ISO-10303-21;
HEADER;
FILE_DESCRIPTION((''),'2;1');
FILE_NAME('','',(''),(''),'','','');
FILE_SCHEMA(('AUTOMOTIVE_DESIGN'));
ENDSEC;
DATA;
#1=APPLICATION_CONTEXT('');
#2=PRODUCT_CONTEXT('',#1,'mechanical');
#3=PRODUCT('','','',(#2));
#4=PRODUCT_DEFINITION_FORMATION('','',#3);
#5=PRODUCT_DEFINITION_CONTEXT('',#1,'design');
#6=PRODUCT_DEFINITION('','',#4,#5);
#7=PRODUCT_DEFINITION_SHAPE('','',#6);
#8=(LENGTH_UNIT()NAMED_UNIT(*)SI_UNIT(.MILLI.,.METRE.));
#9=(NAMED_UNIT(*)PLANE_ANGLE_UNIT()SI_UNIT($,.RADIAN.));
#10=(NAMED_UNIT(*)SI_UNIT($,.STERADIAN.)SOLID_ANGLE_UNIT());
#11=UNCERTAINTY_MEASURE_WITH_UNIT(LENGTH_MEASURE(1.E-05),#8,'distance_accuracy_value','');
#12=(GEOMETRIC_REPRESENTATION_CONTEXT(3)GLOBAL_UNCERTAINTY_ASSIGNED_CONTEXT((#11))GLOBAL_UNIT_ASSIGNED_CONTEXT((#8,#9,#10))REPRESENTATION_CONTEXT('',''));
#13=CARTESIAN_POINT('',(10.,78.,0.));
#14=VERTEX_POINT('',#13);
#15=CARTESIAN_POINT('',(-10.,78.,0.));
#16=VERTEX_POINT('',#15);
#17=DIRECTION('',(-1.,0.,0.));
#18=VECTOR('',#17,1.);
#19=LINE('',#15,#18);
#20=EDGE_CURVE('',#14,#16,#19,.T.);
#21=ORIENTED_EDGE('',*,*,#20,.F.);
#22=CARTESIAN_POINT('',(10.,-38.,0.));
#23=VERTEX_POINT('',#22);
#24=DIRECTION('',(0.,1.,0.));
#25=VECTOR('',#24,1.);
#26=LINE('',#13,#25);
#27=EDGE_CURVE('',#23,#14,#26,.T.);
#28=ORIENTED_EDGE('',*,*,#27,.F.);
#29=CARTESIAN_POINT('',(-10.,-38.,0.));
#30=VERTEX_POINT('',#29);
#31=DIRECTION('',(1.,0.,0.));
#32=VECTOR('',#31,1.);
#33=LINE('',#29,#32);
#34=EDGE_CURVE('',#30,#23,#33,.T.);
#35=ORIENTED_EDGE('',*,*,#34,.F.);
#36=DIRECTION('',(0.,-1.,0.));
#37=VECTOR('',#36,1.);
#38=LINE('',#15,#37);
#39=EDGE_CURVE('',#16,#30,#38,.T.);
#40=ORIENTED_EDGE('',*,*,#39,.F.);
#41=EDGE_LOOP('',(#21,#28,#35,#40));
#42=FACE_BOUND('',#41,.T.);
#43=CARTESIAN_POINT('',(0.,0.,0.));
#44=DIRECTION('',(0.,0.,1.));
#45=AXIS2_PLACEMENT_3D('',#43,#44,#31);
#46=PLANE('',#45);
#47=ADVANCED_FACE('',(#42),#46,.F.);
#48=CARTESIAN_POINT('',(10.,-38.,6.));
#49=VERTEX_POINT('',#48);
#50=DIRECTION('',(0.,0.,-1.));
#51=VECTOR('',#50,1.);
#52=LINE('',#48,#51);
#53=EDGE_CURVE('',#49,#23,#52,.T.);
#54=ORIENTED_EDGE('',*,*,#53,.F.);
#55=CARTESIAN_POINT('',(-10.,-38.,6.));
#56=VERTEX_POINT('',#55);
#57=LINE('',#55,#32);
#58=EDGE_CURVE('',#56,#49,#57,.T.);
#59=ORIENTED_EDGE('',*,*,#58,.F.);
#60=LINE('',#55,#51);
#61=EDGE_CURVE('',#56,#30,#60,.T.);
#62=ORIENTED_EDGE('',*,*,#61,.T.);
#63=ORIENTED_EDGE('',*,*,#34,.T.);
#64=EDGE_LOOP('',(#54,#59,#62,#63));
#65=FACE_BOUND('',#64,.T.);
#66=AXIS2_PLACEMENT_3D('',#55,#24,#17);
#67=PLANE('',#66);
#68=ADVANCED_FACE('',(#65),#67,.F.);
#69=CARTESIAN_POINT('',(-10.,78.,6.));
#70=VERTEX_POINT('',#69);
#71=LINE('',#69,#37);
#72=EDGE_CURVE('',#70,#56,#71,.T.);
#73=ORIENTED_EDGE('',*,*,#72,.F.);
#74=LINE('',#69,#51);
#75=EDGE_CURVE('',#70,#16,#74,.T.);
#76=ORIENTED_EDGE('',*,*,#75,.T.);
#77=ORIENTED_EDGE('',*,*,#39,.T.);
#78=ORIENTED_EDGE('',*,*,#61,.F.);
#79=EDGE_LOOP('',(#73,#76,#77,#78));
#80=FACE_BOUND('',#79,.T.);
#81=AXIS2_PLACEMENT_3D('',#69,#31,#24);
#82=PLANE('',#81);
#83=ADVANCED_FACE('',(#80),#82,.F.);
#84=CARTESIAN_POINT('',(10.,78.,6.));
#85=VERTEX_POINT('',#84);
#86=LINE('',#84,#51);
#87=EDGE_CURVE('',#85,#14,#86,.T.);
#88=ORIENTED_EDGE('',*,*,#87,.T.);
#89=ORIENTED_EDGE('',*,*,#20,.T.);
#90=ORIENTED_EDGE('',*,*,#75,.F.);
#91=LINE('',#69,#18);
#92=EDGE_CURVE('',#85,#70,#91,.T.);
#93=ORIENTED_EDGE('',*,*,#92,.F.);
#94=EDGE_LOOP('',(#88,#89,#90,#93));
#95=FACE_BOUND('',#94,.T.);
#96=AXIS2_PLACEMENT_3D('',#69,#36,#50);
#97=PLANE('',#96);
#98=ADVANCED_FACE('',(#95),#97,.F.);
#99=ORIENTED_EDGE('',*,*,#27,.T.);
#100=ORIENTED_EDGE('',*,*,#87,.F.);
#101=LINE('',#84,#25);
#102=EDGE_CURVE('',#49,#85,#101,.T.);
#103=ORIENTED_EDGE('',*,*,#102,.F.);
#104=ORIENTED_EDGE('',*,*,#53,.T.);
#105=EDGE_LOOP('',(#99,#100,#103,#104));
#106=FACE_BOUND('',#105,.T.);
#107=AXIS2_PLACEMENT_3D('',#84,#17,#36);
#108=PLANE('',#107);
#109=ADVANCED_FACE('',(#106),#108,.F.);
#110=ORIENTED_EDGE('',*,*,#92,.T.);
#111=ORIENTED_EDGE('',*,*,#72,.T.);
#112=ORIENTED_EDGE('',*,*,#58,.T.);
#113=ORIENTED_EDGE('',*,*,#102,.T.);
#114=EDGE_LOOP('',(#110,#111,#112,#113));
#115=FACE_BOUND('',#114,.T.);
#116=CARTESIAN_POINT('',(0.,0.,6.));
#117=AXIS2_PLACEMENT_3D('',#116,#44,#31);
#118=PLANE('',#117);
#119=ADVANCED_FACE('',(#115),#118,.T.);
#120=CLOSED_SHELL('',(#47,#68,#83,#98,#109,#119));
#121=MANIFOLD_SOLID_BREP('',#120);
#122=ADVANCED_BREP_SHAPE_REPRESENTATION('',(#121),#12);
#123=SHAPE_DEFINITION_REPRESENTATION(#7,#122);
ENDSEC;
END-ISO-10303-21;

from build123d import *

# Parameters (mm, degrees)
ESQUISSE1_W        = 20
ESQUISSE1_H        = 116
BOSS_EXTRU_1_DEPTH = 6


with BuildPart() as part:
    # Esquisse1 → Boss.-Extru.1 (new body)
    with BuildSketch(Plane.XY):
        with Locations((0, 20)):
            Rectangle(ESQUISSE1_W, ESQUISSE1_H)
    extrude(amount=BOSS_EXTRU_1_DEPTH)


solid = part.part
